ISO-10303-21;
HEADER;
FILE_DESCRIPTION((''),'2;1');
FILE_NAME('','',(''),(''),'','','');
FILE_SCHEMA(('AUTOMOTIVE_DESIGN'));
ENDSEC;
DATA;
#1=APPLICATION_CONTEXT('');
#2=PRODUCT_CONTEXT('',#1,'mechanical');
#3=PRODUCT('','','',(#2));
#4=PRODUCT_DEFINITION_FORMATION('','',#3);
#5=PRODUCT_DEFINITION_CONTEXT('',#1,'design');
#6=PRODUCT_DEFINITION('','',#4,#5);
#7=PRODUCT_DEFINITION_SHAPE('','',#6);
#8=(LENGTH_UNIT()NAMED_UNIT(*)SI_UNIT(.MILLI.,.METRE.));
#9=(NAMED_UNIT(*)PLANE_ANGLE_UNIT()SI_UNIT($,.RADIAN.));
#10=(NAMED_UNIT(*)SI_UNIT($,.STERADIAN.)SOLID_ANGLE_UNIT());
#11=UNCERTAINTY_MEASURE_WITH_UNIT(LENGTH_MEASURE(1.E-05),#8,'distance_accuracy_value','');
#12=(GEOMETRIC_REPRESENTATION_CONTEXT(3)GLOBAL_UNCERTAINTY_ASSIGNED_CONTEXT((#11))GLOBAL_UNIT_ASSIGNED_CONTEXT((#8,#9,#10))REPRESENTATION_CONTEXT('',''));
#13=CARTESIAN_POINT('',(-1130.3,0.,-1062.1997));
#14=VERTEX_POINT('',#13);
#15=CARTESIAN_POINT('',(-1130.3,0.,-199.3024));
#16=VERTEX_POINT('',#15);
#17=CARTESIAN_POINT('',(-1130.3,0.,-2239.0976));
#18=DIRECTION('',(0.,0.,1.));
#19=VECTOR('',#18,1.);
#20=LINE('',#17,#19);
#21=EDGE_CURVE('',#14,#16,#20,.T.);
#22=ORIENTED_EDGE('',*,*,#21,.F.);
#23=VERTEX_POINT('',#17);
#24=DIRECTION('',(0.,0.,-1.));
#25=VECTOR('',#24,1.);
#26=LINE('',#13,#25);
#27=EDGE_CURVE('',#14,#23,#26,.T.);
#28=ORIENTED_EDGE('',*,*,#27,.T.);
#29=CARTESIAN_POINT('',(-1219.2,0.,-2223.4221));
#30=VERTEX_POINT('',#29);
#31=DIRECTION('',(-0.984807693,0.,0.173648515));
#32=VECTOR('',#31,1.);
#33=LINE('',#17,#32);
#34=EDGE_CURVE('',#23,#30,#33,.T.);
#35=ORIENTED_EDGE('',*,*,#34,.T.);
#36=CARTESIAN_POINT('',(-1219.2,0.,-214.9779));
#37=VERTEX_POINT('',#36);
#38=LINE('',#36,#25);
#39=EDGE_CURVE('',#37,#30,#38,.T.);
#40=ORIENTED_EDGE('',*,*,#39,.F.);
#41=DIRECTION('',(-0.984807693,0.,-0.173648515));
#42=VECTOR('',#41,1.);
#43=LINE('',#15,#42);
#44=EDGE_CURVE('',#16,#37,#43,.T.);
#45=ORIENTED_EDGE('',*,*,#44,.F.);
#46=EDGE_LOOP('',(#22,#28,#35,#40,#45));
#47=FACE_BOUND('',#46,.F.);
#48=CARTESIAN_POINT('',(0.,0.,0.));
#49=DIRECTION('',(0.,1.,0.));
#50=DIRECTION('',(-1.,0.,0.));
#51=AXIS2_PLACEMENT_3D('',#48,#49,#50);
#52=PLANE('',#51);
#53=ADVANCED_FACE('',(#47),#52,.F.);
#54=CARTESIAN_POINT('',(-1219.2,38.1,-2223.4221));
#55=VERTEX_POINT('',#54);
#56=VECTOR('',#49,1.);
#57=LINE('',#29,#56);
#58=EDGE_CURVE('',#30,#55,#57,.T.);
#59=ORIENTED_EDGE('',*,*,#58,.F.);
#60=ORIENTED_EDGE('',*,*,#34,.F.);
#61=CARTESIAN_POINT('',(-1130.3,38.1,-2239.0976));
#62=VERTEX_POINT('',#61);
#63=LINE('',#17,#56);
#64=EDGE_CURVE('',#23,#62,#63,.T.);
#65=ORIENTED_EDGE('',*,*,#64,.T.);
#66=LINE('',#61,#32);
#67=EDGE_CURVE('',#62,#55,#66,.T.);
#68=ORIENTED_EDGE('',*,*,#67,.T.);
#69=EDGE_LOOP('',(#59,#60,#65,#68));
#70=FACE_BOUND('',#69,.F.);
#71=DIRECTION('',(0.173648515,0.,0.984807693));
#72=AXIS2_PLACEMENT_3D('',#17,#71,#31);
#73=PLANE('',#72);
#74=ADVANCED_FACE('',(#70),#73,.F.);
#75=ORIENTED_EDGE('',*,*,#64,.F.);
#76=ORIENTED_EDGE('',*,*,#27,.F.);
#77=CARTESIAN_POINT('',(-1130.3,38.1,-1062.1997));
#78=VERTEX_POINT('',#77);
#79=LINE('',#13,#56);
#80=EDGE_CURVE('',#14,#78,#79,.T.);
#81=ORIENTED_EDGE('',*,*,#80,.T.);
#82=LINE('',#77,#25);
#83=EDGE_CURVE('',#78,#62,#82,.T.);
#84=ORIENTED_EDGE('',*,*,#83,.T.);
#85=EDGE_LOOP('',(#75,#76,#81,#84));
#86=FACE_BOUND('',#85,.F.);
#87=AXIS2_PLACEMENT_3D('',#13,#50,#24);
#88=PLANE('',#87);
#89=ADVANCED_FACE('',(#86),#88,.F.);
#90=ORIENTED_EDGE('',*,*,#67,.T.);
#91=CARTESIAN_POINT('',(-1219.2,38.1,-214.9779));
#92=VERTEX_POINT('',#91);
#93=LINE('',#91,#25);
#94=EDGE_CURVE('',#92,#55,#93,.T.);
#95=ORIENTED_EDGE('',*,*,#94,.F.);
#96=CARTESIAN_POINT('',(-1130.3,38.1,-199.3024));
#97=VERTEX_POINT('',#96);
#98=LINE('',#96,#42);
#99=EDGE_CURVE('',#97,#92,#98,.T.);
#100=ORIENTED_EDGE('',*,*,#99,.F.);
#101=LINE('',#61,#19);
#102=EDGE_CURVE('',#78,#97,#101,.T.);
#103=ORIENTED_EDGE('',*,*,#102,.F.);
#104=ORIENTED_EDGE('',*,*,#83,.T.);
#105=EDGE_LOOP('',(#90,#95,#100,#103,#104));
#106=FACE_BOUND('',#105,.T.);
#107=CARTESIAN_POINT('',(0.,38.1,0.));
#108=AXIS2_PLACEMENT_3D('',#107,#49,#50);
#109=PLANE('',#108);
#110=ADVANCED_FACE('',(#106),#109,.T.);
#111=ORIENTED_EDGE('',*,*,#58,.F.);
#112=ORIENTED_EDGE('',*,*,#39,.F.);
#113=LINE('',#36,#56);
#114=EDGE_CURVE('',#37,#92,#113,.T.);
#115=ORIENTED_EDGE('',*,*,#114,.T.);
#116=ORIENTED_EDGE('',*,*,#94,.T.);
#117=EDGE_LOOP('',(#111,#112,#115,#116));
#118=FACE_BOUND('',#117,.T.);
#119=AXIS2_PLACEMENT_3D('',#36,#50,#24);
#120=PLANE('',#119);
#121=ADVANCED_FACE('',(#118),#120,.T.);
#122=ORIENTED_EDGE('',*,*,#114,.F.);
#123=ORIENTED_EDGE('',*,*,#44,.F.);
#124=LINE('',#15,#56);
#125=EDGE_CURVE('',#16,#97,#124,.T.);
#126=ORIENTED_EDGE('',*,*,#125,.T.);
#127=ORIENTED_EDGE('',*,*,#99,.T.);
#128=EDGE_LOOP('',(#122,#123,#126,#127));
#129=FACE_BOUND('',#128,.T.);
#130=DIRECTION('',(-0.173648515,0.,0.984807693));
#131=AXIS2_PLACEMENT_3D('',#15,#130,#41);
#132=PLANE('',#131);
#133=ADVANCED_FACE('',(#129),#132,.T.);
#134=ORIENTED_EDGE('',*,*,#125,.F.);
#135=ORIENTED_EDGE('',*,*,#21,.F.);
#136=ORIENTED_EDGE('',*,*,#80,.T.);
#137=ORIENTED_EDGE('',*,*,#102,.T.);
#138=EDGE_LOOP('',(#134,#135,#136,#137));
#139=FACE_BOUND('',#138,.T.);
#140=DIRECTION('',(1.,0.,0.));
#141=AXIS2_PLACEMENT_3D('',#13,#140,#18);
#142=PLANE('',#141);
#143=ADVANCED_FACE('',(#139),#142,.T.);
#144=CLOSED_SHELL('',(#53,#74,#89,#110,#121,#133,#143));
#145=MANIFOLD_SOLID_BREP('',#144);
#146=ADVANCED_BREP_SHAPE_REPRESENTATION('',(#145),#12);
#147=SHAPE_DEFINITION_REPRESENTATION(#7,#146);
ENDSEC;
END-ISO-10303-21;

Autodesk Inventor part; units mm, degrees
ref_plane "YZ Plane" through (0, 0, 0) normal (1, 0, 0) x (0, 1, 0)
ref_plane "XZ Plane" through (0, 0, 0) normal (0, 1, 0) x (-1, 0, 0)
ref_plane "XY Plane" through (0, 0, 0) normal (0, 0, 1) x (1, 0, 0)
sketch "Sketch1" plane through (0, 0, 0) normal (0, 1, 0) x (-1, 0, 0)
  line L0 (1219.2, -214.9779) -> (1219.2, -2223.4221)
  line L1 (1130.3, -1062.1997) -> (1130.3, -2239.0976)
  line L2 (1130.3, -2239.0976) -> (1130.3, -199.3024)
  line L3 (1130.3, -199.3024) -> (1219.2, -214.9779)
  line L4 (1219.2, -214.9779) -> (1219.2, -2223.4221)
  line L5 (1130.3, -2239.0976) -> (1219.2, -2223.4221)
  point P0 (0, 0)
extrude "Extrusion1" add sketch "Sketch1" along normal blind 38.1
properties part number "S_2x4x80.31"
